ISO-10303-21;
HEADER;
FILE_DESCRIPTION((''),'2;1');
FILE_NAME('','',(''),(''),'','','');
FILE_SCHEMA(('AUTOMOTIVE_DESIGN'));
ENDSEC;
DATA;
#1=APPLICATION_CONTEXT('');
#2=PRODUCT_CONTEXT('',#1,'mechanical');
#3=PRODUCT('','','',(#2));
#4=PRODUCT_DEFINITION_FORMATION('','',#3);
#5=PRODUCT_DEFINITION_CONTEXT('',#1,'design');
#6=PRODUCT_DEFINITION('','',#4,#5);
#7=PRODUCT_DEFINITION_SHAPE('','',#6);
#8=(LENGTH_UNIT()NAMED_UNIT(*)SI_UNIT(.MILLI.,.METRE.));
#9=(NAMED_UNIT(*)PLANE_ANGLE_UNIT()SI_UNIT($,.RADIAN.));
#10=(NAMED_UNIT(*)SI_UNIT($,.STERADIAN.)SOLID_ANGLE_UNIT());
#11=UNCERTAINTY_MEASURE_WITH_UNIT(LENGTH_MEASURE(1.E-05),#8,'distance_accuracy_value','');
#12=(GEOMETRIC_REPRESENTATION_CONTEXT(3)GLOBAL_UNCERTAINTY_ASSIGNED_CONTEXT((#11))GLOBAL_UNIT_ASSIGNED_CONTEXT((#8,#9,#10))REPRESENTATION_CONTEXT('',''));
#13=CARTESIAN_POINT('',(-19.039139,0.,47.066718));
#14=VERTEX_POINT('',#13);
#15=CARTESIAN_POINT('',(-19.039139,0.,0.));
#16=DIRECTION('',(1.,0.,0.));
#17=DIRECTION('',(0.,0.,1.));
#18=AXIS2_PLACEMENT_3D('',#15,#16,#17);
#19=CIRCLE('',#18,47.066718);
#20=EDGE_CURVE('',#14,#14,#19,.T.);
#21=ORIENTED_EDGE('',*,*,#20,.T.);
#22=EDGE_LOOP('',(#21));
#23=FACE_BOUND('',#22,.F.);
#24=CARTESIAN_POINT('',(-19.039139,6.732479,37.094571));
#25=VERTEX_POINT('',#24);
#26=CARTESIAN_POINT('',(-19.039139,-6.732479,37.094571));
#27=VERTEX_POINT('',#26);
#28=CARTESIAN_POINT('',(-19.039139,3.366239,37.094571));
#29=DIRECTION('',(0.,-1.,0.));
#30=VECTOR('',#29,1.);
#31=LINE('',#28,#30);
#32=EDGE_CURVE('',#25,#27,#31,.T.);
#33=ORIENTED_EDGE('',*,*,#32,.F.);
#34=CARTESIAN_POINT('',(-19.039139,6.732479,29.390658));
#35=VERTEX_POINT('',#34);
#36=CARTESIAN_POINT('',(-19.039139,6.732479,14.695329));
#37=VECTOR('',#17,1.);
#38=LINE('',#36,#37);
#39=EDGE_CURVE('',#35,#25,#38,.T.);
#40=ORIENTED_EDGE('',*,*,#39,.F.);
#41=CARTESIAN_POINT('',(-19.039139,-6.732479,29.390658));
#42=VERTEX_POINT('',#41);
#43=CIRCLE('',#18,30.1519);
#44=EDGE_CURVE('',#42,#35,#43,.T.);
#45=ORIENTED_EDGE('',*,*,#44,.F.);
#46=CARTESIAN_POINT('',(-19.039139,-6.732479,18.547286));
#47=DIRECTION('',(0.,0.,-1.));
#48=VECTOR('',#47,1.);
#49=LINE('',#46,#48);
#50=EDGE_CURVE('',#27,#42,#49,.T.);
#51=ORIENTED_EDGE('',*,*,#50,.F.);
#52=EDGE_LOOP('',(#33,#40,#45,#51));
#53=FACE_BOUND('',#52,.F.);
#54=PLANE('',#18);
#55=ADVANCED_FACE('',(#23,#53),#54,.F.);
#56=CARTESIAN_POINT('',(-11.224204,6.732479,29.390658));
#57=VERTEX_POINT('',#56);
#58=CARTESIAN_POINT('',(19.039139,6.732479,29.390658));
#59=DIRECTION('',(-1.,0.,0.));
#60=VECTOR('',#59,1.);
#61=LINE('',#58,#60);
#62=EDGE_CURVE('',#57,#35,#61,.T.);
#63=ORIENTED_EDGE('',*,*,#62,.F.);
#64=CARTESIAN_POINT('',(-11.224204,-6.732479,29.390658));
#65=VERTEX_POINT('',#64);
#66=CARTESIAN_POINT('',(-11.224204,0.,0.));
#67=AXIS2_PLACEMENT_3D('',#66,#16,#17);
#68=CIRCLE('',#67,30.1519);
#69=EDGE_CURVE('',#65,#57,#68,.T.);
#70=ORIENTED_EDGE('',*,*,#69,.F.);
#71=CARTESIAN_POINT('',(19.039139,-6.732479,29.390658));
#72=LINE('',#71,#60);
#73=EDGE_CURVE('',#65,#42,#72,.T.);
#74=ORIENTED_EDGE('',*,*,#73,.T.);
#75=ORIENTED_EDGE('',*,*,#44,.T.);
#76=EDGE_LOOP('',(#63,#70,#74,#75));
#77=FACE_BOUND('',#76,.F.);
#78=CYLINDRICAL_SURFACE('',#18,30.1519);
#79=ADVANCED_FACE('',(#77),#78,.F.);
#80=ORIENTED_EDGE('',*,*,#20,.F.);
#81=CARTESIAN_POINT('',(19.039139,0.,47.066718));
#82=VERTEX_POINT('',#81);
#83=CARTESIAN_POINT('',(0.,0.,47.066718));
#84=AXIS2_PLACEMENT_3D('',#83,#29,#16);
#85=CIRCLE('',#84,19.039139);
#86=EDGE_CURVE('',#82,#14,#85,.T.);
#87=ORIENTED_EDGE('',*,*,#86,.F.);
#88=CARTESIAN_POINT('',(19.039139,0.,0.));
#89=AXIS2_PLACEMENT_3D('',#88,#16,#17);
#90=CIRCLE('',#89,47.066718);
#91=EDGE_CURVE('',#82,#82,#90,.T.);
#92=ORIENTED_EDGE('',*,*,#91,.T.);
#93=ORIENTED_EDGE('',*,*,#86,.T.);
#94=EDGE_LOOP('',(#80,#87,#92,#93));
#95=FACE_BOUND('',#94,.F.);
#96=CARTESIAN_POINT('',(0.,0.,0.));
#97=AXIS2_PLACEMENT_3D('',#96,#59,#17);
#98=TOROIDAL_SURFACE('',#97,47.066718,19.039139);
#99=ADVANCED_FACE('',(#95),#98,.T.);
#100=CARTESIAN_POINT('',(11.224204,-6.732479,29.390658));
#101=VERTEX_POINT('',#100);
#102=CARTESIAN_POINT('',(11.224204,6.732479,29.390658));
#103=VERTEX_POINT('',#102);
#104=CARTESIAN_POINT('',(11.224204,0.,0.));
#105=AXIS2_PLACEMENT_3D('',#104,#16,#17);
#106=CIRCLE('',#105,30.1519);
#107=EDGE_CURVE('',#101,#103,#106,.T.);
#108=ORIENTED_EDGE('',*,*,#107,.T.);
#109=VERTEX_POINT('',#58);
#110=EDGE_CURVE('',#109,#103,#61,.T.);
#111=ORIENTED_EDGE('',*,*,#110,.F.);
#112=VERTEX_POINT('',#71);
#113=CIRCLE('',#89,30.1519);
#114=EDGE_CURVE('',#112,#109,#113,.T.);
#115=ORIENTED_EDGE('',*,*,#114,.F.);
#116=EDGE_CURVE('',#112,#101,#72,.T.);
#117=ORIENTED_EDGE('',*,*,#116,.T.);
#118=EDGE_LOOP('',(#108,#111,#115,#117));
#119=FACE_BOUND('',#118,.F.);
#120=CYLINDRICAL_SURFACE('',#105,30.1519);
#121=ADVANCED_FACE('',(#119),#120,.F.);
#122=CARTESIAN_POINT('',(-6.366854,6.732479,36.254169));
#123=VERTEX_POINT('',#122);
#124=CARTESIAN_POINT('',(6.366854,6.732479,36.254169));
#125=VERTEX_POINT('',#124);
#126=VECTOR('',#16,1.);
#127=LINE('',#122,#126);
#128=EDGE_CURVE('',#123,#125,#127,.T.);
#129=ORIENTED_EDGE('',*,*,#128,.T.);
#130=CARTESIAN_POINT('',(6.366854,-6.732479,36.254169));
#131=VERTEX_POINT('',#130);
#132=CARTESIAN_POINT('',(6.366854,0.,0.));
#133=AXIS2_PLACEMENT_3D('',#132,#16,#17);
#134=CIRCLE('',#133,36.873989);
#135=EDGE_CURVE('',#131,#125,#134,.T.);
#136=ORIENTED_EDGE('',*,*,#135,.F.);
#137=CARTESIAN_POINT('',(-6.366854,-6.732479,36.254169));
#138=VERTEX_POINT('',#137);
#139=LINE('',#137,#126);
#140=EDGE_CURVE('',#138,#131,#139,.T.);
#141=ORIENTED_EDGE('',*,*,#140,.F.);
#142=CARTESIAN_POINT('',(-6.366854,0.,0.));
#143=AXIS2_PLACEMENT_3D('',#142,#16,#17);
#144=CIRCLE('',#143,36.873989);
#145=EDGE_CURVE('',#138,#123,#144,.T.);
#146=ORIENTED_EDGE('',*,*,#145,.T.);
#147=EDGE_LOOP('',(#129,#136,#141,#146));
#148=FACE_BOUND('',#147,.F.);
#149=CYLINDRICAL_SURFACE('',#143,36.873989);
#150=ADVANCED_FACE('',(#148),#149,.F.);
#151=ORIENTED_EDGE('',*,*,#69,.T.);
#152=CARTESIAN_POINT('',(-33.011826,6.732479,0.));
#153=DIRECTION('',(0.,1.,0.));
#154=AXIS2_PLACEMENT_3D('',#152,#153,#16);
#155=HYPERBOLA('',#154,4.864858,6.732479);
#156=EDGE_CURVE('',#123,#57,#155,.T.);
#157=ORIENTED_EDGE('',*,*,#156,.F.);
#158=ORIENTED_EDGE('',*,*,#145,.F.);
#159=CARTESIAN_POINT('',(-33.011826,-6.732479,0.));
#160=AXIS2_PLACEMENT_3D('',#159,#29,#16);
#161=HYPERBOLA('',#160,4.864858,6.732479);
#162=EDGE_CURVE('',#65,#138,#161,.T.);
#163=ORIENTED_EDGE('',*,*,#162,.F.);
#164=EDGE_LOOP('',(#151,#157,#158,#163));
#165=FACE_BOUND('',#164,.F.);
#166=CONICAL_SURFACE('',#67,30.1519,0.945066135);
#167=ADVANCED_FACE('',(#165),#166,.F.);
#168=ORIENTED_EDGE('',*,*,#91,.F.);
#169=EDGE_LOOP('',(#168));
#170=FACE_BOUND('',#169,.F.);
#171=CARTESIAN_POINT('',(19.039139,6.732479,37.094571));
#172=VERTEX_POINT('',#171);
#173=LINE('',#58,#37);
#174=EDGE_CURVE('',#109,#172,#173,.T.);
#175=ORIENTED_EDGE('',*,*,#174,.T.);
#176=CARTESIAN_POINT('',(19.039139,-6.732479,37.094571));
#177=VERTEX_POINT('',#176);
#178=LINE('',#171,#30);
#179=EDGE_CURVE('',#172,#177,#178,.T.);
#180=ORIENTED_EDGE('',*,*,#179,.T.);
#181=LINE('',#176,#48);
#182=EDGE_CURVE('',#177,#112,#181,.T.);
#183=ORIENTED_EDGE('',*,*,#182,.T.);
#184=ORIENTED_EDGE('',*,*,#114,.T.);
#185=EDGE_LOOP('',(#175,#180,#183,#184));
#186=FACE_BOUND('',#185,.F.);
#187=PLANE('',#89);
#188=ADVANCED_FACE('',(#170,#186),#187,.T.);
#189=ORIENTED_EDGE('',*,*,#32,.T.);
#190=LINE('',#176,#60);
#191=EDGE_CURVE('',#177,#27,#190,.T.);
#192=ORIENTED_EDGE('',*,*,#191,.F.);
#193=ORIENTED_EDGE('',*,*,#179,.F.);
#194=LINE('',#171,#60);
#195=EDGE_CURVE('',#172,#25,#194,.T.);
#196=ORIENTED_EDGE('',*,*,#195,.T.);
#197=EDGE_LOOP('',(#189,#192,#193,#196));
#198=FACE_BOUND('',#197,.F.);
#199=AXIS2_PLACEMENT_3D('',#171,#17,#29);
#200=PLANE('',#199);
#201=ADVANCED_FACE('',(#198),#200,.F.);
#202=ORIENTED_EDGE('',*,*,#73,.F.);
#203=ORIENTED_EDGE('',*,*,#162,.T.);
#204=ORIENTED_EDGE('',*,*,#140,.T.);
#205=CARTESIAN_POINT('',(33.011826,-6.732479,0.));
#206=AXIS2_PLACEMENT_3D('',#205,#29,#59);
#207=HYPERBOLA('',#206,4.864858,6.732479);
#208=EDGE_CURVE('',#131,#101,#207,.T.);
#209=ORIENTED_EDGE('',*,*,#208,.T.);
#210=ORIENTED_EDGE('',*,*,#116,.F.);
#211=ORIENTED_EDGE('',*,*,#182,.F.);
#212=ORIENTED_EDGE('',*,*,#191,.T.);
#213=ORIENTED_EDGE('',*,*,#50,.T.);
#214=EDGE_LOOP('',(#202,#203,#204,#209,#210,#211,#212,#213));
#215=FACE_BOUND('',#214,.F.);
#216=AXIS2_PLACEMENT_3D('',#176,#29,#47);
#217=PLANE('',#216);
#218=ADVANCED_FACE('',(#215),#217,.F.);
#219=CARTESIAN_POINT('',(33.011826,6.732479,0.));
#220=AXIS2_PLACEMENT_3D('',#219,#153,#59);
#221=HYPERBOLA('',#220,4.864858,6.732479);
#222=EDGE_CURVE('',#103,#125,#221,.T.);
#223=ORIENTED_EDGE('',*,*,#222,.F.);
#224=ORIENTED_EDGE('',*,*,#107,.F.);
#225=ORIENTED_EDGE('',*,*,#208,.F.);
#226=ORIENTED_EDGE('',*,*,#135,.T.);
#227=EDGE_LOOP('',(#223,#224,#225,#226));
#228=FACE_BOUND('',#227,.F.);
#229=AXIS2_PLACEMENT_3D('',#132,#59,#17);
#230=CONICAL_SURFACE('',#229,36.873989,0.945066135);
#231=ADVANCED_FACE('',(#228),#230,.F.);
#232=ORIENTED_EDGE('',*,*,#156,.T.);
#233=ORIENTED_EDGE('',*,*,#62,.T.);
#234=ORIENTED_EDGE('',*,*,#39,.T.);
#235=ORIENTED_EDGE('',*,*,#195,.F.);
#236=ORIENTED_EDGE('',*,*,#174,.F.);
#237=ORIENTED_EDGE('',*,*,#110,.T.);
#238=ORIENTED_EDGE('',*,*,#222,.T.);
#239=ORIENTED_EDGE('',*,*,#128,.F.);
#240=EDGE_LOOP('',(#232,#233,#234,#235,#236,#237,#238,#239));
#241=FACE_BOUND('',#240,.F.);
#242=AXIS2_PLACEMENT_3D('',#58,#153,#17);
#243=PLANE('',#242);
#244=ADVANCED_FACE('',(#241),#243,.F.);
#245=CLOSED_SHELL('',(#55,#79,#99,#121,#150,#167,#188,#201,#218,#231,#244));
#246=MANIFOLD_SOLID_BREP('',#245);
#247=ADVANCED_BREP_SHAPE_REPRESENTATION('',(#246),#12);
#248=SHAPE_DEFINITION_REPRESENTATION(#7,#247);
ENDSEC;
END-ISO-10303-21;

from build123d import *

# Parameters (mm, degrees)
F3_DEPTH = 38.079278


with BuildPart() as f1:
    # F0 (on Front) → F1 (revolve)
    with BuildSketch(Plane.XZ):
        with BuildLine():
            Line((11.224204, 30.1519), (19.039139, 30.1519))
            Line((19.039139, 30.1519), (19.039139, 47.066718))
            ThreePointArc((19.039139, 47.066718), (0, 66.105857), (-19.039139, 47.066718))
            Line((-19.039139, 47.066718), (-19.039139, 30.1519))
            Line((-19.039139, 30.1519), (-11.224204, 30.1519))
            Line((-11.224204, 30.1519), (-6.366854, 36.873989))
            Line((-6.366854, 36.873989), (6.366854, 36.873989))
            Line((6.366854, 36.873989), (11.224204, 30.1519))
        make_face()
    revolve(axis=Axis((-0.409778, 0, 0), (1, 0, 0)))

    # F2 (on face) → F3 (cut, through all)
    with BuildSketch(Plane.YZ.offset(19.039139)):
        with BuildLine():
            Line((-6.732479, 37.094571), (-6.732479, 29.390658))
            ThreePointArc((-6.732479, 29.390658), (0, 30.1519), (6.732479, 29.390658))
            Line((6.732479, 29.390658), (6.732479, 37.094571))
            Line((6.732479, 37.094571), (-6.732479, 37.094571))
        make_face()
    extrude(amount=-F3_DEPTH, mode=Mode.SUBTRACT)


solid = f1.part
